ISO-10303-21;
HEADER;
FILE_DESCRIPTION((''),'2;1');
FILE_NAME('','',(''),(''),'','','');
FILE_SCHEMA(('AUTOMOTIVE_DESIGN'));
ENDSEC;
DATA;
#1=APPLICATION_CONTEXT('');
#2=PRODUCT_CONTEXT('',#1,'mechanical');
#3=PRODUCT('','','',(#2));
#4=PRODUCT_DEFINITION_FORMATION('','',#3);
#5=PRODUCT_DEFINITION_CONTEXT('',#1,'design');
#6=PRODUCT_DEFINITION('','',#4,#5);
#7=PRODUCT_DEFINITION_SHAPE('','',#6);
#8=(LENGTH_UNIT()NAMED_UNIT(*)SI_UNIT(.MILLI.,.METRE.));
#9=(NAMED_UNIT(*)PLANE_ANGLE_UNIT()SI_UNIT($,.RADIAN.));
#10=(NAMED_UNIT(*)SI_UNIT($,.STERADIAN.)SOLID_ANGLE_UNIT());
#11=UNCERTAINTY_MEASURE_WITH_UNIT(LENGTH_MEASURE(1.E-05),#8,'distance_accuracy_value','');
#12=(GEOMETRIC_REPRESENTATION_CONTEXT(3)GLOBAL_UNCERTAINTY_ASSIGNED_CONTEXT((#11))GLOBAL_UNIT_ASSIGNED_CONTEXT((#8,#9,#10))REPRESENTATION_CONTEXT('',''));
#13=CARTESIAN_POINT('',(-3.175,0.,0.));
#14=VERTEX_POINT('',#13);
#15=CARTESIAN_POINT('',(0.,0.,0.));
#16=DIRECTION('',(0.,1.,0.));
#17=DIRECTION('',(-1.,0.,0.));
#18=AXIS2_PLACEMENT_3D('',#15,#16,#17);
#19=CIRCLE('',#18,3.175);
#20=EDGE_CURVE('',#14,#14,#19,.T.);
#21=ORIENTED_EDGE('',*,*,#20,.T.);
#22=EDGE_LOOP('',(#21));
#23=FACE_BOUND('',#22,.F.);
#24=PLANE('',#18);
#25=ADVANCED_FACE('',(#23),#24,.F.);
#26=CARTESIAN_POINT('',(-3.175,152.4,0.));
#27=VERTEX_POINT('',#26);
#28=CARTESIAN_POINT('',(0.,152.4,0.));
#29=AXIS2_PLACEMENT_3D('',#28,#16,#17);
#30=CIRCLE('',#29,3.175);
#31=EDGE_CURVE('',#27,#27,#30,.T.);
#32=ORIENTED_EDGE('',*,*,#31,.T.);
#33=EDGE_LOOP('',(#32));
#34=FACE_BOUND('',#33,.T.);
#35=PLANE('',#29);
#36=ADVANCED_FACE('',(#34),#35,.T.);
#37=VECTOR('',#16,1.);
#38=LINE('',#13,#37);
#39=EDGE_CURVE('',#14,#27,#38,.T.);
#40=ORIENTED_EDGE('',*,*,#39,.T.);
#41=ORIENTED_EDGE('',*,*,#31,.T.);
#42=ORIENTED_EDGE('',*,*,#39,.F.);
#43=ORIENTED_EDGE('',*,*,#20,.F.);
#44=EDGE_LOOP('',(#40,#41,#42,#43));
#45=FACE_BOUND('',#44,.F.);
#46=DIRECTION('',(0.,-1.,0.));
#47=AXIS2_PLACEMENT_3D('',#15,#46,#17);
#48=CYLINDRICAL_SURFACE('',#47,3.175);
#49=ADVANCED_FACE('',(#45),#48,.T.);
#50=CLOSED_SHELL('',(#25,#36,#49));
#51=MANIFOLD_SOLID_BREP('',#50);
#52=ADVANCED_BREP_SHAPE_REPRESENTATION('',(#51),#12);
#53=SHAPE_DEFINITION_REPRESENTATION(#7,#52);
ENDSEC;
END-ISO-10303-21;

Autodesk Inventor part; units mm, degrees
ref_plane "YZ Plane" through (0, 0, 0) normal (1, 0, 0) x (0, 1, 0)
ref_plane "XZ Plane" through (0, 0, 0) normal (0, 1, 0) x (-1, 0, 0)
ref_plane "XY Plane" through (0, 0, 0) normal (0, 0, 1) x (1, 0, 0)
sketch "Sketch1" plane through (0, 0, 0) normal (0, 1, 0) x (-1, 0, 0)
  circle A0 centre (0, 0) radius 3.175
  dimension "d0" = 6.35
extrude "Extrusion1" add sketch "Sketch1" along normal blind 152.4
properties part number "Rods"
